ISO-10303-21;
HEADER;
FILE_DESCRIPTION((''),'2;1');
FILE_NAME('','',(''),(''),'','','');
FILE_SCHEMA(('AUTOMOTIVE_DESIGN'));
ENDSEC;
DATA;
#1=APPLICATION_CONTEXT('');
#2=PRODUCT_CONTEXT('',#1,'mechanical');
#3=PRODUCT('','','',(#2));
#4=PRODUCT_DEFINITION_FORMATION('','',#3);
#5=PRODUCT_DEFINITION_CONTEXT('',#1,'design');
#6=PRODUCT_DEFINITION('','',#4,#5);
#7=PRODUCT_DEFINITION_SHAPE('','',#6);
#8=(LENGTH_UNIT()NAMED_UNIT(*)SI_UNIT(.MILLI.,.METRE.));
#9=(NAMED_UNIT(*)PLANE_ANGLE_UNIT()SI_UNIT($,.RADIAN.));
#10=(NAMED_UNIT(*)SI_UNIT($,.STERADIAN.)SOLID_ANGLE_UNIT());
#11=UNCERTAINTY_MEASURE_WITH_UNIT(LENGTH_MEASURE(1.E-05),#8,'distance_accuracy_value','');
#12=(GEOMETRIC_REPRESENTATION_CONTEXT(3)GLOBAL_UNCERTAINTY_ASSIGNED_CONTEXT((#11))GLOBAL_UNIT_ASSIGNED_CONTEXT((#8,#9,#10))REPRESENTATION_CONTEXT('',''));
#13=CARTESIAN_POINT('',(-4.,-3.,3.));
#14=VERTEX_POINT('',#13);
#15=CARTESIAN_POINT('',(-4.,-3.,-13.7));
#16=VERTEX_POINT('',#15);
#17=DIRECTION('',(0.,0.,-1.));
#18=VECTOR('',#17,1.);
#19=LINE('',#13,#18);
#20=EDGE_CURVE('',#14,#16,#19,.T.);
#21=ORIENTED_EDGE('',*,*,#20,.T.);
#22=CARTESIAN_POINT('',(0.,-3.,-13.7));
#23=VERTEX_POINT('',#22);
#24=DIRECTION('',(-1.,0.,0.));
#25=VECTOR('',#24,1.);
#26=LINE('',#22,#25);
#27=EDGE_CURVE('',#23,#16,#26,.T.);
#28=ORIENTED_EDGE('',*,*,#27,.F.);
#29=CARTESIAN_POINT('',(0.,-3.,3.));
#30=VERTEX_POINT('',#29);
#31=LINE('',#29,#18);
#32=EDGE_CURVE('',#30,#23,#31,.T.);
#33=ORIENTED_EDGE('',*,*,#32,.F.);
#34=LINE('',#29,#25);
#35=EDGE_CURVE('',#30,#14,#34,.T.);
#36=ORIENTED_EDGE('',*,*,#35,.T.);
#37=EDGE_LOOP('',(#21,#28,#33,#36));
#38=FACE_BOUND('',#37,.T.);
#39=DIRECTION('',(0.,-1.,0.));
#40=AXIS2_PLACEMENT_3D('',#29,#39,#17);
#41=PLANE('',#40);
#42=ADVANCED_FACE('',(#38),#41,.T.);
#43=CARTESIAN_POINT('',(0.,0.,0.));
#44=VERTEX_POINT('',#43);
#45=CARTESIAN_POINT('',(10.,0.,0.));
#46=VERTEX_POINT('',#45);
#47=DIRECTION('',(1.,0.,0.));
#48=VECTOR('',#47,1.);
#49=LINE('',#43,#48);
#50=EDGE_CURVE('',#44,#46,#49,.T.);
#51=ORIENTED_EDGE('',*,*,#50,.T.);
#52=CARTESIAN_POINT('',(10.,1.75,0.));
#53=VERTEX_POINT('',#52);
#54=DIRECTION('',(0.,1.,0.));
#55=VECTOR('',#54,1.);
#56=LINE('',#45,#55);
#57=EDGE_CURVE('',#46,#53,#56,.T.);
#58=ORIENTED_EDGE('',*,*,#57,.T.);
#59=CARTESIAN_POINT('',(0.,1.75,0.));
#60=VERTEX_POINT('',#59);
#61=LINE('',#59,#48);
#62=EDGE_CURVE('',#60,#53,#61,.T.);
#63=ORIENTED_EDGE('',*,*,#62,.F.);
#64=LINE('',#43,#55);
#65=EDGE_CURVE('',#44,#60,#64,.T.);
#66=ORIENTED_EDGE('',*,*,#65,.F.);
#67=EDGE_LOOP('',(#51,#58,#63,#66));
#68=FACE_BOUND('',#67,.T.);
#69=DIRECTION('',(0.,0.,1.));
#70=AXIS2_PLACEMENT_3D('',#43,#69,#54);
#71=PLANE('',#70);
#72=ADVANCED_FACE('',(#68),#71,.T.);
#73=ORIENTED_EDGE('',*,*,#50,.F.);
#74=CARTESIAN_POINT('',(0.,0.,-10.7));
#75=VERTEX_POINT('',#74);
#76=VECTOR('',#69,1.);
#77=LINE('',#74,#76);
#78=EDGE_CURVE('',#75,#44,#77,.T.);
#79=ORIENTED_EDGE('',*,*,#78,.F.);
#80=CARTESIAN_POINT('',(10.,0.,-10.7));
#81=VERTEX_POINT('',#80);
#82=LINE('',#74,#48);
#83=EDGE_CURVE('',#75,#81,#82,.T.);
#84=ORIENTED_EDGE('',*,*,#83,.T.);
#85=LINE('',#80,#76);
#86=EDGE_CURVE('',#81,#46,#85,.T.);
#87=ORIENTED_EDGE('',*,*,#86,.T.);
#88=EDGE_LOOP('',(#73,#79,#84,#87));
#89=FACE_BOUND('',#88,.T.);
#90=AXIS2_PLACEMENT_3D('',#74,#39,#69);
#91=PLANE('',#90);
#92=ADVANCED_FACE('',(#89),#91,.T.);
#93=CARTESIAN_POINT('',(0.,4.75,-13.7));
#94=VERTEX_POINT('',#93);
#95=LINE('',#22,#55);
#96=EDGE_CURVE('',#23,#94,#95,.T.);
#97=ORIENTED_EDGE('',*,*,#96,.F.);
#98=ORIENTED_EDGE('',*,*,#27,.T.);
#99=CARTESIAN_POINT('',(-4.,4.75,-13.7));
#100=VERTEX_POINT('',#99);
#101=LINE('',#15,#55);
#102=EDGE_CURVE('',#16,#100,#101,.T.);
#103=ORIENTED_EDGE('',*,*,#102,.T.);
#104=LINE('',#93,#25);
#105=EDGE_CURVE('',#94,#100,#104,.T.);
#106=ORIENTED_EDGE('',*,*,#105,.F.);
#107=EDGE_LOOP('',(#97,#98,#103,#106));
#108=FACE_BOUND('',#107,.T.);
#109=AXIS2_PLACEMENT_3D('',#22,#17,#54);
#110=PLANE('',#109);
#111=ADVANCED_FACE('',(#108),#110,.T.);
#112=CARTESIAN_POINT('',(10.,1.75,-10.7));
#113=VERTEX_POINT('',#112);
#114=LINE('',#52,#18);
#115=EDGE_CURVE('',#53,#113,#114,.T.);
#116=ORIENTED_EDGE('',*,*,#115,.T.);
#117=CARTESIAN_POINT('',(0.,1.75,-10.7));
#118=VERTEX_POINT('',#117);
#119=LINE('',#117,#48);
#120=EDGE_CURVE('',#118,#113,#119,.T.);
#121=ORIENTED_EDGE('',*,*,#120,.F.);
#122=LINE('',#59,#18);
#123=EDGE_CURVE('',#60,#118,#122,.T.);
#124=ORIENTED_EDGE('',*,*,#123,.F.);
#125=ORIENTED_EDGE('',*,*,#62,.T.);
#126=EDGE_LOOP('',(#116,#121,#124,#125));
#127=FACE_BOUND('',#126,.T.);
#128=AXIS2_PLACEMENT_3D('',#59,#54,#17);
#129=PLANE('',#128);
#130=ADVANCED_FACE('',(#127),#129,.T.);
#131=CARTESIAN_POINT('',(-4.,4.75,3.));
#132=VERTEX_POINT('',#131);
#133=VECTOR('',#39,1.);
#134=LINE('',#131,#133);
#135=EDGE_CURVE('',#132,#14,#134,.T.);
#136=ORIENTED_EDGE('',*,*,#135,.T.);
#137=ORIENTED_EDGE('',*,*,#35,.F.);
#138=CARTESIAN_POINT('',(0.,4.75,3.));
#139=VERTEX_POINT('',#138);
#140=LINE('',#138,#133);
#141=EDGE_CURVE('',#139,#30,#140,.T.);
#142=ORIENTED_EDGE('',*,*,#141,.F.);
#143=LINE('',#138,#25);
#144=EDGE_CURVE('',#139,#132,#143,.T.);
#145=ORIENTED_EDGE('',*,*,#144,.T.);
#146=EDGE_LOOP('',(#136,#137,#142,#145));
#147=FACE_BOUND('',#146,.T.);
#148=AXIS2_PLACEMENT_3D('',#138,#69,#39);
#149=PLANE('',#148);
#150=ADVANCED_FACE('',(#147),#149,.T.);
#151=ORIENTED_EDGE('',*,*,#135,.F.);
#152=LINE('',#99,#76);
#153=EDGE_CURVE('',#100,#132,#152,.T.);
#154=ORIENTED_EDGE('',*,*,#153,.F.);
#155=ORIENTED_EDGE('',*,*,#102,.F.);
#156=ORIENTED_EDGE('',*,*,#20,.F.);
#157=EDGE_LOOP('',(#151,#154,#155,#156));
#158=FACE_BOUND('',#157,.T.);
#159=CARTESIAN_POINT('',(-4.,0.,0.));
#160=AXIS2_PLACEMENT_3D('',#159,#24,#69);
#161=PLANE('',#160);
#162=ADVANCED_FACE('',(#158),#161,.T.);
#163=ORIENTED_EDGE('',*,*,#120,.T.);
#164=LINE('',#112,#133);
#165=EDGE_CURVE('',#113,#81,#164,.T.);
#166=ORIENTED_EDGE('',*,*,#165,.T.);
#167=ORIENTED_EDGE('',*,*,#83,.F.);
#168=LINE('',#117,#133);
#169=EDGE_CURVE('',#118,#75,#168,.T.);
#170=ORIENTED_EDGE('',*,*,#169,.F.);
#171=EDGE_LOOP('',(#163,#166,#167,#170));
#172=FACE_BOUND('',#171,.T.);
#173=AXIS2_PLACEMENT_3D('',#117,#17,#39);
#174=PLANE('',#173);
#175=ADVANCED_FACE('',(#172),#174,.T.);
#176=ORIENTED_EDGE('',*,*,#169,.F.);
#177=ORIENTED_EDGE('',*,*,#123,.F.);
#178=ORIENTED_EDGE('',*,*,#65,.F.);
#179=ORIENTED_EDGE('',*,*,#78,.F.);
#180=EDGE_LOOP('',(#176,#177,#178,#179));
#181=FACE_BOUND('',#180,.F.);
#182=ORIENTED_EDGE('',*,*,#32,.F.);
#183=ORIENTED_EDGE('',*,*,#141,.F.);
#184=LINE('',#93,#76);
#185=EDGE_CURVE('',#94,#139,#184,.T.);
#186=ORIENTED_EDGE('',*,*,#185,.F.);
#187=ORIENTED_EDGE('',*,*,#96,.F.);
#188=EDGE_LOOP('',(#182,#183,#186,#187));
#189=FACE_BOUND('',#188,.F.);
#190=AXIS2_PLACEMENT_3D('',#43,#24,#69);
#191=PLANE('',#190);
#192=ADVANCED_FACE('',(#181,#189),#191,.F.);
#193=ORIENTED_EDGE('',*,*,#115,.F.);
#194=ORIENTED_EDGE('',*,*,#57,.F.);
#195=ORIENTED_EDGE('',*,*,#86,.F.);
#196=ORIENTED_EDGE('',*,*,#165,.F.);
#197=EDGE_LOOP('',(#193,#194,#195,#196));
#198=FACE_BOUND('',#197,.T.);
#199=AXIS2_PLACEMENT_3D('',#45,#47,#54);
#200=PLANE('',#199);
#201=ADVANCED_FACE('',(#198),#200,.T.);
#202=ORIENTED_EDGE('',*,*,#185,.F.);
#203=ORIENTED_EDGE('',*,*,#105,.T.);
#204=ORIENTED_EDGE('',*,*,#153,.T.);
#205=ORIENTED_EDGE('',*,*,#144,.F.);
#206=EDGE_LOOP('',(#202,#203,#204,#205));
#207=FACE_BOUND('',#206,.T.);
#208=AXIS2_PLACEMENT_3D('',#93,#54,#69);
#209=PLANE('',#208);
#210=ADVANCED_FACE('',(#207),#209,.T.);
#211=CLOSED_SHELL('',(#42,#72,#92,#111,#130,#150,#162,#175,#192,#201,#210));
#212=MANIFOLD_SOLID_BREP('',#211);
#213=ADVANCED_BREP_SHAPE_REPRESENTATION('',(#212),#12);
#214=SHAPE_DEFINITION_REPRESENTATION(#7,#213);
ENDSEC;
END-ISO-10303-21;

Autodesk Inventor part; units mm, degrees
ref_plane "YZ Plane" through (0, 0, 0) normal (1, 0, 0) x (0, 1, 0)
ref_plane "XZ Plane" through (0, 0, 0) normal (0, 1, 0) x (-1, 0, 0)
ref_plane "XY Plane" through (0, 0, 0) normal (0, 0, 1) x (1, 0, 0)
sketch "Boceto1" plane through (0, 0, 0) normal (1, 0, 0) x (0, 1, 0)
  line L0 (0, 0) -> (1.75, 0)
  line L1 (1.75, 0) -> (1.75, -10.7)
  line L2 (1.75, -10.7) -> (0, -10.7)
  line L3 (0, -10.7) -> (0, 0)
  dimension "d0" = 1.75
  dimension "d1" = 10.7
extrude "Extrusión1" add sketch "Boceto1" along normal blind 10
sketch "Boceto2" plane through (0, 0, 0) normal (-1, 0, 0) x (0, 0, 1)
  line L0 (-10.7, 0) -> (-10.7, 1.75) projected
  line L1 (0, 0) -> (-10.7, 0) projected
  line L2 (0, 1.75) -> (0, 0) projected
  line L3 (-10.7, 1.75) -> (0, 1.75) projected
  line L4 (-13.7, -3) -> (-13.7, 4.75)
  line L5 (-13.7, 4.75) -> (3, 4.75)
  line L6 (3, 4.75) -> (3, -3)
  line L7 (3, -3) -> (-13.7, -3)
  dimension "d4" = 3
extrude "Extrusión2" add sketch "Boceto2" along normal blind 4 contours L0 L3 L2 L1 | L4 L5 L6 L7
properties part number "seguro1"
